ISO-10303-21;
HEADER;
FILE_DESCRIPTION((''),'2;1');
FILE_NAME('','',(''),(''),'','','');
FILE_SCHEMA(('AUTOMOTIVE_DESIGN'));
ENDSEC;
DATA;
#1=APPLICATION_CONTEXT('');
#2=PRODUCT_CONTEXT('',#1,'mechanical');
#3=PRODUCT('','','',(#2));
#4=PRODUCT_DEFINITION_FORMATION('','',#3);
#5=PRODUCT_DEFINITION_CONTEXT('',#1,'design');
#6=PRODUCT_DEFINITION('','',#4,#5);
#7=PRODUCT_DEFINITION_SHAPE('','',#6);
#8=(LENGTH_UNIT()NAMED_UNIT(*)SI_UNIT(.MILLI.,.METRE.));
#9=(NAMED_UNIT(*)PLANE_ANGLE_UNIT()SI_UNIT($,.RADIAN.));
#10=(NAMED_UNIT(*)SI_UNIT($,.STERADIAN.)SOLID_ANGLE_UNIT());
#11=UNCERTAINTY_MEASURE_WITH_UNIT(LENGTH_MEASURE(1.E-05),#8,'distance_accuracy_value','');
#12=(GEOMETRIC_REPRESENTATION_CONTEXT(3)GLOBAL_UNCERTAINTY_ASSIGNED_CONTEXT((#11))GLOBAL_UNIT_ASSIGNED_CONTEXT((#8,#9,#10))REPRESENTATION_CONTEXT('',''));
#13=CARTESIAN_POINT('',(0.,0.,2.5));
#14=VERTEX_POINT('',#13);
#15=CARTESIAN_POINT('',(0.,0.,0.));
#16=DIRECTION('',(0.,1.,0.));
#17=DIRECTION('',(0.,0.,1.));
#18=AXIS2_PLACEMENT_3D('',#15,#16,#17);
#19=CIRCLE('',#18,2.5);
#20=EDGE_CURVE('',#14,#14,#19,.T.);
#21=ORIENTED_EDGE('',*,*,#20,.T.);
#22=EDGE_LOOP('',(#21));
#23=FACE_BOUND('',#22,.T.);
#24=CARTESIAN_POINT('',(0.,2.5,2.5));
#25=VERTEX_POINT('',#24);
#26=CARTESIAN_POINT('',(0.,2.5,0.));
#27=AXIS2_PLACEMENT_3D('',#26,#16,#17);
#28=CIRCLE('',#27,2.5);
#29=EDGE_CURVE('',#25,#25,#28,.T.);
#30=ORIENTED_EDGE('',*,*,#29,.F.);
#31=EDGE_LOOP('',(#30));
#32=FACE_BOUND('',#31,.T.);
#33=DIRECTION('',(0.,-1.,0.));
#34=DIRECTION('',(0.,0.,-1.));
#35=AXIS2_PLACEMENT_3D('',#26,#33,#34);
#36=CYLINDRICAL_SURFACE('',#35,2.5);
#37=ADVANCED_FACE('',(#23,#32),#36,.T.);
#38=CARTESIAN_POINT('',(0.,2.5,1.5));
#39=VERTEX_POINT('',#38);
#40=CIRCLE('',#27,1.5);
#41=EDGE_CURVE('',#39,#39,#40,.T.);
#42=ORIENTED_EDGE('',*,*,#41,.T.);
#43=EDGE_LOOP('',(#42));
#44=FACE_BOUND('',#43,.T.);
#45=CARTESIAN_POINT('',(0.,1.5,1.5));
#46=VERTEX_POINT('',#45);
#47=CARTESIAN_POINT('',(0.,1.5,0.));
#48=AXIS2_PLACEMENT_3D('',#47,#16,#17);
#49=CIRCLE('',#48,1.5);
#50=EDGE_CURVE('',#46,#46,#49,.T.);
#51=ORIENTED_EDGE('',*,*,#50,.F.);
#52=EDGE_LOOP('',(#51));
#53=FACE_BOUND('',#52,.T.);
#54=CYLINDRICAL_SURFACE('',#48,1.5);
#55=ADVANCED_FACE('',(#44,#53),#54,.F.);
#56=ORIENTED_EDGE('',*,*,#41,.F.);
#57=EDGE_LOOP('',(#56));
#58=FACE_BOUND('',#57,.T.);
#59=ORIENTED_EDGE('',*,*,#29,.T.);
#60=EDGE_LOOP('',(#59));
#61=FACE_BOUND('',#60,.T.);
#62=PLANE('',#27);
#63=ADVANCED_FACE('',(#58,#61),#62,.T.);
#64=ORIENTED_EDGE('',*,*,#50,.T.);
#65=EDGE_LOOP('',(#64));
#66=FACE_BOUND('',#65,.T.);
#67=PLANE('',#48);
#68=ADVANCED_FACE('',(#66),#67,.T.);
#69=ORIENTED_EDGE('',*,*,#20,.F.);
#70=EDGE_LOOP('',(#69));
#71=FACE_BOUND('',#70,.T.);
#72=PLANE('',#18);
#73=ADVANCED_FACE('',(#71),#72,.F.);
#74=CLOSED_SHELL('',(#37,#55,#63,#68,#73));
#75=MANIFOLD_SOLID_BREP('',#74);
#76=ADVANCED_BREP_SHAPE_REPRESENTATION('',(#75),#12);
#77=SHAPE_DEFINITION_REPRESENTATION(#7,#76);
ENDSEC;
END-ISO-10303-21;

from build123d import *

# Parameters (mm, degrees)
SKETCH2_R           = 2.5
BOSS_EXTRUDE1_DEPTH = 2.5
SKETCH3_R           = 1.5
CUT_EXTRUDE1_DEPTH  = 1


with BuildPart() as part:
    # Sketch2 → Boss-Extrude1 (new body)
    with BuildSketch(Plane(origin=(0, 0, 0), x_dir=(1, 0, 0), z_dir=(0, 1, 0))):
        with Locations(Location((0, 0, 0), (0, 0, 270))):
            Circle(SKETCH2_R)
    extrude(amount=BOSS_EXTRUDE1_DEPTH)

    # Sketch3 → Cut-Extrude1 (cut)
    with BuildSketch(Plane(origin=(0, 2.5, 0), x_dir=(1, 0, 0), z_dir=(0, 1, 0))):
        with Locations(Location((0, 0, 0), (0, 0, 270))):
            Circle(SKETCH3_R)
    extrude(amount=-CUT_EXTRUDE1_DEPTH, mode=Mode.SUBTRACT)


solid = part.part
